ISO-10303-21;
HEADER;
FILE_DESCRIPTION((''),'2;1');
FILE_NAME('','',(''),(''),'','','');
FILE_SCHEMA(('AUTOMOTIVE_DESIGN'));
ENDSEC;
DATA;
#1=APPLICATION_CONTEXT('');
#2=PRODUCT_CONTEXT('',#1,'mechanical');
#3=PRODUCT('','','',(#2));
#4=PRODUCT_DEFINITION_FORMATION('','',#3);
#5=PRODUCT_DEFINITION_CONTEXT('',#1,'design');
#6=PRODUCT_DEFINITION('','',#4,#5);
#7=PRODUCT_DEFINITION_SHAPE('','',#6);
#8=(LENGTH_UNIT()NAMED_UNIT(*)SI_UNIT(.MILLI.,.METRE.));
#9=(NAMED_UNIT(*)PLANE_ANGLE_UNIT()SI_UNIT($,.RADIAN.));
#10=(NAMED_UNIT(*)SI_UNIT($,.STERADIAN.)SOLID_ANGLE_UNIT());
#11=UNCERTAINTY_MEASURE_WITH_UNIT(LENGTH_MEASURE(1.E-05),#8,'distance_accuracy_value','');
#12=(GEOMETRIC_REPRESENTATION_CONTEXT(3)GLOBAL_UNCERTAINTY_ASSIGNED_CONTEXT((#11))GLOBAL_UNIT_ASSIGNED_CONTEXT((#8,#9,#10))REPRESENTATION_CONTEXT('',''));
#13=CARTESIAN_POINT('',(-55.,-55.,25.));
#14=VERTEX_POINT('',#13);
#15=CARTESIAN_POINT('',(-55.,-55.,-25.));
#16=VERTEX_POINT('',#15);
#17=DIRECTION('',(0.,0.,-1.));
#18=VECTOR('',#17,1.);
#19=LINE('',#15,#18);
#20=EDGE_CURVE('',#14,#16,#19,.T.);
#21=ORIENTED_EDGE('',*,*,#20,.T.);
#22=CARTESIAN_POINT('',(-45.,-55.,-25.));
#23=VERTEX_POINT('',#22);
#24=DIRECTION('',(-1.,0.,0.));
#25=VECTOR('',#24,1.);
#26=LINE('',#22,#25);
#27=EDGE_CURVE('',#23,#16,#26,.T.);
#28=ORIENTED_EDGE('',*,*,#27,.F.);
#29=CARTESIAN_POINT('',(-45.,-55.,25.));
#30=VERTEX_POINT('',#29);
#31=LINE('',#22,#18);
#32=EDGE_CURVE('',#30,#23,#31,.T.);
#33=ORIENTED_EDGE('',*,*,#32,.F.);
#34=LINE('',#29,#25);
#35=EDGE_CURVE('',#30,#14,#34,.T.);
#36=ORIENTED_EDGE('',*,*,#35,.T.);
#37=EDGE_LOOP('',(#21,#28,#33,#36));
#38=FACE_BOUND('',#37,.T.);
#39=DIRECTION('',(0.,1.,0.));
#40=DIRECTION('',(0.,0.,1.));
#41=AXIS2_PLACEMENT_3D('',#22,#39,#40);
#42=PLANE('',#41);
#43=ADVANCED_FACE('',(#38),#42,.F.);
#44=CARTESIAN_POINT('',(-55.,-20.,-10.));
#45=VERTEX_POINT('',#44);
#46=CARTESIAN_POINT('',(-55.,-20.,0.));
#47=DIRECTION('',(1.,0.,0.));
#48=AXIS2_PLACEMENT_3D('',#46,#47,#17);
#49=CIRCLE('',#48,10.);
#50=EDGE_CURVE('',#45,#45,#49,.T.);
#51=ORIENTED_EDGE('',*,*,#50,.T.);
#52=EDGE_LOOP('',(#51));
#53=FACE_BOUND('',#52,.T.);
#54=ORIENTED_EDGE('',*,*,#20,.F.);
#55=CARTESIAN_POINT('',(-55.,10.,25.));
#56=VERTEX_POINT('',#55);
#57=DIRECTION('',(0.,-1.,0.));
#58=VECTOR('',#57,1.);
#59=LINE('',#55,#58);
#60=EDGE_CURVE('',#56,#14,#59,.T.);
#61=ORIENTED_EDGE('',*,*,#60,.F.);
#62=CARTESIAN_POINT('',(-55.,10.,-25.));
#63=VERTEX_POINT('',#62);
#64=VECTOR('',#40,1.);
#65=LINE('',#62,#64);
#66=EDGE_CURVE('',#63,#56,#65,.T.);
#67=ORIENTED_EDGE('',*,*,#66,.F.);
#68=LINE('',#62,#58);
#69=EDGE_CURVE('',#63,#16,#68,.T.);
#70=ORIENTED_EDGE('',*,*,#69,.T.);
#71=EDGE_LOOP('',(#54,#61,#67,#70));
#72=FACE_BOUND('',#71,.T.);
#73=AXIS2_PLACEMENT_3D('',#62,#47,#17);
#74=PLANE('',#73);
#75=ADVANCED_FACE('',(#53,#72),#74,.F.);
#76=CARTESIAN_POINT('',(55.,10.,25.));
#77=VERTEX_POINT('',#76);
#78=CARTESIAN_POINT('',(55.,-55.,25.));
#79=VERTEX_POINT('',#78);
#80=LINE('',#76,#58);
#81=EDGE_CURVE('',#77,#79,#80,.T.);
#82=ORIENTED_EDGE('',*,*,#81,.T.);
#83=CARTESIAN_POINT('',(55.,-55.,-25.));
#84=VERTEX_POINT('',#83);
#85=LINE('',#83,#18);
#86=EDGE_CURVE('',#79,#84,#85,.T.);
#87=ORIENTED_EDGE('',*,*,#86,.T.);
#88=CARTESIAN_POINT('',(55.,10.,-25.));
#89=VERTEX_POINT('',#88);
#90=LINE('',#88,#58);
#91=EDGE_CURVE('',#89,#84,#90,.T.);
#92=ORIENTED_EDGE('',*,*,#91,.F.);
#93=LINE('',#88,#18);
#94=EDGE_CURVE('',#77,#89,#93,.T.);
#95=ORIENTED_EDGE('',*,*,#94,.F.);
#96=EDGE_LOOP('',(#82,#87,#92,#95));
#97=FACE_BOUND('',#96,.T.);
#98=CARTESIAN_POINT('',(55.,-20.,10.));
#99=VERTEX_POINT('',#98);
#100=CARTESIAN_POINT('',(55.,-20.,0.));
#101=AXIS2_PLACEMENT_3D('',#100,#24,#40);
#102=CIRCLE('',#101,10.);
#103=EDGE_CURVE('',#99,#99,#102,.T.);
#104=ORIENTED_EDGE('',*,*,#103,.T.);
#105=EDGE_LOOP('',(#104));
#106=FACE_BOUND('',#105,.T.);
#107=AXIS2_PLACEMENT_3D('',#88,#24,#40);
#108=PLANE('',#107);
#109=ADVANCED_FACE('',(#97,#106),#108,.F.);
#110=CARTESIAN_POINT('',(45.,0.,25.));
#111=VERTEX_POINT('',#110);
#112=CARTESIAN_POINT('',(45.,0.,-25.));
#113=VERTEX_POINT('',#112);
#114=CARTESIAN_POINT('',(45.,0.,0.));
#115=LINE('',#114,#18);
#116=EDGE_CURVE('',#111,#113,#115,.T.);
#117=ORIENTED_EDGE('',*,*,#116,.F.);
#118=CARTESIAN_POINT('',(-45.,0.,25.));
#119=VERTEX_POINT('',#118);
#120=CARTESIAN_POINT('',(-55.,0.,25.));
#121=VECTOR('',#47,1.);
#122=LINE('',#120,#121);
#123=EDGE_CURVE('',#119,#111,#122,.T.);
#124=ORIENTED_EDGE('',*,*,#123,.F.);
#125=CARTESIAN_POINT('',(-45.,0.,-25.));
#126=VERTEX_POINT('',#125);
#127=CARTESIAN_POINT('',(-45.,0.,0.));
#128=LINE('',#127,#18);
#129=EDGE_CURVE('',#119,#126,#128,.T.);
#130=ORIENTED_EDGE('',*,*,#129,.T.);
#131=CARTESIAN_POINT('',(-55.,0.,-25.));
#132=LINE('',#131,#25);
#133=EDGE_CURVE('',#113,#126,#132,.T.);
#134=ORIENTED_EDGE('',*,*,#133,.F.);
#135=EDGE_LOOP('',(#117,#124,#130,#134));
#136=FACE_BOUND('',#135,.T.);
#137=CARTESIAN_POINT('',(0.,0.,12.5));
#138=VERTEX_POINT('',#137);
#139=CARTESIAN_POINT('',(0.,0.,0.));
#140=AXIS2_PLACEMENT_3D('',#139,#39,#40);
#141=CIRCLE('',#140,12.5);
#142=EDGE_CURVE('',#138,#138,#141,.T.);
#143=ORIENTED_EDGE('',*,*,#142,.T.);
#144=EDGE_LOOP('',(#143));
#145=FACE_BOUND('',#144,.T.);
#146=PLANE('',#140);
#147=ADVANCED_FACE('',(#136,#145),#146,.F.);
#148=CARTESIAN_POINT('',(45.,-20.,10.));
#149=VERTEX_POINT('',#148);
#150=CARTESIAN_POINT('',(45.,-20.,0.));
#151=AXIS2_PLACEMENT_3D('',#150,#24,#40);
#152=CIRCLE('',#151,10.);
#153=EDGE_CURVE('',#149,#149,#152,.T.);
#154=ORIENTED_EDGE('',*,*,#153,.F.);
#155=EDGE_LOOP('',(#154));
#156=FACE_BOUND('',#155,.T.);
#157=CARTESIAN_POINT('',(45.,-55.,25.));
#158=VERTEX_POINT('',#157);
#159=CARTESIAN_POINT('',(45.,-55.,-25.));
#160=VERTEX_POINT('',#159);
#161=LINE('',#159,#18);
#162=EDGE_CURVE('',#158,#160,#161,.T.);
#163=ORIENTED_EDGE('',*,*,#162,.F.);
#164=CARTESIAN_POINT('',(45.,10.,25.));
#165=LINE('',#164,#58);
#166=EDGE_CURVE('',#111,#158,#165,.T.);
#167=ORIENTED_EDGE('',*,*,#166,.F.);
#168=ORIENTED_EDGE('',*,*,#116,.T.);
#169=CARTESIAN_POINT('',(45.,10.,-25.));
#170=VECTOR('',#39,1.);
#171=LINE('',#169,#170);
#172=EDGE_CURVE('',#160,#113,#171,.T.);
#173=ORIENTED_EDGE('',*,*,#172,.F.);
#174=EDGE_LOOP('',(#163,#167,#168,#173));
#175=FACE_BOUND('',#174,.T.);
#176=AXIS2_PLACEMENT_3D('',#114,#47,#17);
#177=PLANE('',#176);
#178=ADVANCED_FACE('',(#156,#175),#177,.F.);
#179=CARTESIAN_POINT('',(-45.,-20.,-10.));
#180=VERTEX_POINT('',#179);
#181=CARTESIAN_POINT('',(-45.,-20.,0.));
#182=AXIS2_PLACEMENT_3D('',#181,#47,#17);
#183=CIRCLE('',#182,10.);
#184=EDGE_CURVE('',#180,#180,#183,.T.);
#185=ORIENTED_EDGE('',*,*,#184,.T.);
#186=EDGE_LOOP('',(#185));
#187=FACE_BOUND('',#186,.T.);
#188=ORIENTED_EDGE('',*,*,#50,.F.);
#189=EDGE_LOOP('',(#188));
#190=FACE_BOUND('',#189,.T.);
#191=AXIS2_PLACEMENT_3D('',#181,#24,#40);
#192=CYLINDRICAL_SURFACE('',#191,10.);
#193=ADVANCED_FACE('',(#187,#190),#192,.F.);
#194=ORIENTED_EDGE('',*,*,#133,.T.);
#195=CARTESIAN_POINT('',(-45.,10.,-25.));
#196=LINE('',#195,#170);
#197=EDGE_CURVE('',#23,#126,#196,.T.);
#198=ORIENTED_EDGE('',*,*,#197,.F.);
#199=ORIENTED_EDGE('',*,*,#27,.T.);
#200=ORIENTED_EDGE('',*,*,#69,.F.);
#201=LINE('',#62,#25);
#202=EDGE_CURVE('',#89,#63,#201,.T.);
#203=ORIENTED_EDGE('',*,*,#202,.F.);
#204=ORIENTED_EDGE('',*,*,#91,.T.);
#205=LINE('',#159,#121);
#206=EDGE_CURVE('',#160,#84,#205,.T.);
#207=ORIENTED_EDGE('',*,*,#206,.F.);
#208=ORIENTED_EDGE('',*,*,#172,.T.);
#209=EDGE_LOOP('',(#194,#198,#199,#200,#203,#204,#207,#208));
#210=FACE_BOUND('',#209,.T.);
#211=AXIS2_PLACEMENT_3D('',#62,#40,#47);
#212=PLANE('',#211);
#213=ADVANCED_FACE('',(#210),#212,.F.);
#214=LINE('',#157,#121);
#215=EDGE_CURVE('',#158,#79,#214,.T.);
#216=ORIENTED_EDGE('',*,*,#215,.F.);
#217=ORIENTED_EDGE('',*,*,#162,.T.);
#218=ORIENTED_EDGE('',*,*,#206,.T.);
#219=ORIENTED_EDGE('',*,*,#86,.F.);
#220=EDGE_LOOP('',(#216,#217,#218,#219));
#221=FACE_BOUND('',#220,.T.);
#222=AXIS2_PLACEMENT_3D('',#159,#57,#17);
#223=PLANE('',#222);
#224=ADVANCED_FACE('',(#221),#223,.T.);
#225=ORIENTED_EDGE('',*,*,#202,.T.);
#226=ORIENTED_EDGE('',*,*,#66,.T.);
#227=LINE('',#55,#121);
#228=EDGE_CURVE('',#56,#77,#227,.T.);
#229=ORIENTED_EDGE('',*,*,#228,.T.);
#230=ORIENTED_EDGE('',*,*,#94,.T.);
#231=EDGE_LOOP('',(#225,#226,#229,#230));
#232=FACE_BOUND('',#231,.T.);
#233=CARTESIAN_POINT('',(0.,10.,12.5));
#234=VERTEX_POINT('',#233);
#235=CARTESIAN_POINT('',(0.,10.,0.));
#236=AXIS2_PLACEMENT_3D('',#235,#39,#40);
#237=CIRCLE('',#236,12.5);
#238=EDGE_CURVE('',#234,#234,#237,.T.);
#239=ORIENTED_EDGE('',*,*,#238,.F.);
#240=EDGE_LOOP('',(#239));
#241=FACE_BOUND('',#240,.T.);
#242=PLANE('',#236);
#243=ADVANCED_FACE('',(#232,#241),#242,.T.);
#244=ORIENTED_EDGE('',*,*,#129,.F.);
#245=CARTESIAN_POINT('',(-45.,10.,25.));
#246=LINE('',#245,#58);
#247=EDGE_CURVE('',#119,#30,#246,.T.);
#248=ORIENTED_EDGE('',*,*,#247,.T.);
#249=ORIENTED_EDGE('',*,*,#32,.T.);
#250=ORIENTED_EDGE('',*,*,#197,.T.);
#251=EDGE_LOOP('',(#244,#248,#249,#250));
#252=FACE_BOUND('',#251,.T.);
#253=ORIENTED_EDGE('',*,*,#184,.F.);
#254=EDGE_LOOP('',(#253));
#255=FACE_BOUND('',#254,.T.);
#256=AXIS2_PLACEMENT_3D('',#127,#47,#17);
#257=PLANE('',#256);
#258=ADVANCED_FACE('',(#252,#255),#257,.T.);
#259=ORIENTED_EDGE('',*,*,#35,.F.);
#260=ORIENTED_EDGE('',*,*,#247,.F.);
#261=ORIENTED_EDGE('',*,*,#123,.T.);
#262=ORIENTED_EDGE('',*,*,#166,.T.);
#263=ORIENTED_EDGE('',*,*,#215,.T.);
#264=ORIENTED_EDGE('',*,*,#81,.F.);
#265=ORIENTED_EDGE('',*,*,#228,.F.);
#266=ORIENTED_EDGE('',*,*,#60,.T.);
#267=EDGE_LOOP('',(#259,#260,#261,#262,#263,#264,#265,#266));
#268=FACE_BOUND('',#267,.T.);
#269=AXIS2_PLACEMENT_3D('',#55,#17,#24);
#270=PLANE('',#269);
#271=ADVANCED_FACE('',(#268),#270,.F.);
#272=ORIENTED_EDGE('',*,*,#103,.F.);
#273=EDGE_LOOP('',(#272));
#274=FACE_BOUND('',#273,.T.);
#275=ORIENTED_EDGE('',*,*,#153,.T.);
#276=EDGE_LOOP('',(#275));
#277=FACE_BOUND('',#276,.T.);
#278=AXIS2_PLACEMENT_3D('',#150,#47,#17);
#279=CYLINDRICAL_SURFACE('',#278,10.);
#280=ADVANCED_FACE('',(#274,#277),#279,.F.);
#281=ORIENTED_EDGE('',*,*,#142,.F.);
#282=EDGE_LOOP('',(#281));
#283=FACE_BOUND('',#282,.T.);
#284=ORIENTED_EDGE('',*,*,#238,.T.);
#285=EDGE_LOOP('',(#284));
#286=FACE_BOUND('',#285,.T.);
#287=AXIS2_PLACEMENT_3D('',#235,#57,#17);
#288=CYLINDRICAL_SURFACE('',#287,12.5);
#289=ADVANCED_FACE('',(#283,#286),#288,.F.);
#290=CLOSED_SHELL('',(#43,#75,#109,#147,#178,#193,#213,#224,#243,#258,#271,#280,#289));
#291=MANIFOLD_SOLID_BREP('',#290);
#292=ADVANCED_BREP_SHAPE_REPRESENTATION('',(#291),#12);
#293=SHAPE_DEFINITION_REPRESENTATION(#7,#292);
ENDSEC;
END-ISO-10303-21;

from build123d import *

# Parameters (mm, degrees)
SKETCH1_W           = 110
SKETCH1_H           = 50
SKETCH1_R           = 12.5
BOSS_EXTRUDE1_DEPTH = 10
BOSS_EXTRUDE2_START = 55
SKETCH2_W           = 50
SKETCH2_H           = 65
SKETCH2_R           = 10
BOSS_EXTRUDE2_DEPTH = 10
BOSS_EXTRUDE3_START = -55
SKETCH2_2_W         = 50
SKETCH2_2_H         = 65
SKETCH2_2_R         = 10
BOSS_EXTRUDE3_DEPTH = 10


with BuildPart() as part:
    # Sketch1 → Boss-Extrude1 (new body)
    with BuildSketch(Plane(origin=(0, 0, 0), x_dir=(1, 0, 0), z_dir=(0, 1, 0))):
        Rectangle(SKETCH1_W, SKETCH1_H)
        Circle(SKETCH1_R, mode=Mode.SUBTRACT)
    extrude(amount=BOSS_EXTRUDE1_DEPTH)

    # Sketch2 → Boss-Extrude2 (add)
    with BuildSketch(Plane(origin=(0, 0, 0), x_dir=(0, 0, -1), z_dir=(1, 0, 0)).offset(BOSS_EXTRUDE2_START)):
        with Locations((0, -22.5)):
            Rectangle(SKETCH2_W, SKETCH2_H)
        with Locations((0, -20)):
            Circle(SKETCH2_R, mode=Mode.SUBTRACT)
    extrude(amount=-BOSS_EXTRUDE2_DEPTH)

    # Sketch2<2> → Boss-Extrude3 (add)
    with BuildSketch(Plane(origin=(0, 0, 0), x_dir=(0, 0, -1), z_dir=(1, 0, 0)).offset(BOSS_EXTRUDE3_START)):
        with Locations((0, -22.5)):
            Rectangle(SKETCH2_2_W, SKETCH2_2_H)
        with Locations((0, -20)):
            Circle(SKETCH2_2_R, mode=Mode.SUBTRACT)
    extrude(amount=BOSS_EXTRUDE3_DEPTH)


solid = part.part
